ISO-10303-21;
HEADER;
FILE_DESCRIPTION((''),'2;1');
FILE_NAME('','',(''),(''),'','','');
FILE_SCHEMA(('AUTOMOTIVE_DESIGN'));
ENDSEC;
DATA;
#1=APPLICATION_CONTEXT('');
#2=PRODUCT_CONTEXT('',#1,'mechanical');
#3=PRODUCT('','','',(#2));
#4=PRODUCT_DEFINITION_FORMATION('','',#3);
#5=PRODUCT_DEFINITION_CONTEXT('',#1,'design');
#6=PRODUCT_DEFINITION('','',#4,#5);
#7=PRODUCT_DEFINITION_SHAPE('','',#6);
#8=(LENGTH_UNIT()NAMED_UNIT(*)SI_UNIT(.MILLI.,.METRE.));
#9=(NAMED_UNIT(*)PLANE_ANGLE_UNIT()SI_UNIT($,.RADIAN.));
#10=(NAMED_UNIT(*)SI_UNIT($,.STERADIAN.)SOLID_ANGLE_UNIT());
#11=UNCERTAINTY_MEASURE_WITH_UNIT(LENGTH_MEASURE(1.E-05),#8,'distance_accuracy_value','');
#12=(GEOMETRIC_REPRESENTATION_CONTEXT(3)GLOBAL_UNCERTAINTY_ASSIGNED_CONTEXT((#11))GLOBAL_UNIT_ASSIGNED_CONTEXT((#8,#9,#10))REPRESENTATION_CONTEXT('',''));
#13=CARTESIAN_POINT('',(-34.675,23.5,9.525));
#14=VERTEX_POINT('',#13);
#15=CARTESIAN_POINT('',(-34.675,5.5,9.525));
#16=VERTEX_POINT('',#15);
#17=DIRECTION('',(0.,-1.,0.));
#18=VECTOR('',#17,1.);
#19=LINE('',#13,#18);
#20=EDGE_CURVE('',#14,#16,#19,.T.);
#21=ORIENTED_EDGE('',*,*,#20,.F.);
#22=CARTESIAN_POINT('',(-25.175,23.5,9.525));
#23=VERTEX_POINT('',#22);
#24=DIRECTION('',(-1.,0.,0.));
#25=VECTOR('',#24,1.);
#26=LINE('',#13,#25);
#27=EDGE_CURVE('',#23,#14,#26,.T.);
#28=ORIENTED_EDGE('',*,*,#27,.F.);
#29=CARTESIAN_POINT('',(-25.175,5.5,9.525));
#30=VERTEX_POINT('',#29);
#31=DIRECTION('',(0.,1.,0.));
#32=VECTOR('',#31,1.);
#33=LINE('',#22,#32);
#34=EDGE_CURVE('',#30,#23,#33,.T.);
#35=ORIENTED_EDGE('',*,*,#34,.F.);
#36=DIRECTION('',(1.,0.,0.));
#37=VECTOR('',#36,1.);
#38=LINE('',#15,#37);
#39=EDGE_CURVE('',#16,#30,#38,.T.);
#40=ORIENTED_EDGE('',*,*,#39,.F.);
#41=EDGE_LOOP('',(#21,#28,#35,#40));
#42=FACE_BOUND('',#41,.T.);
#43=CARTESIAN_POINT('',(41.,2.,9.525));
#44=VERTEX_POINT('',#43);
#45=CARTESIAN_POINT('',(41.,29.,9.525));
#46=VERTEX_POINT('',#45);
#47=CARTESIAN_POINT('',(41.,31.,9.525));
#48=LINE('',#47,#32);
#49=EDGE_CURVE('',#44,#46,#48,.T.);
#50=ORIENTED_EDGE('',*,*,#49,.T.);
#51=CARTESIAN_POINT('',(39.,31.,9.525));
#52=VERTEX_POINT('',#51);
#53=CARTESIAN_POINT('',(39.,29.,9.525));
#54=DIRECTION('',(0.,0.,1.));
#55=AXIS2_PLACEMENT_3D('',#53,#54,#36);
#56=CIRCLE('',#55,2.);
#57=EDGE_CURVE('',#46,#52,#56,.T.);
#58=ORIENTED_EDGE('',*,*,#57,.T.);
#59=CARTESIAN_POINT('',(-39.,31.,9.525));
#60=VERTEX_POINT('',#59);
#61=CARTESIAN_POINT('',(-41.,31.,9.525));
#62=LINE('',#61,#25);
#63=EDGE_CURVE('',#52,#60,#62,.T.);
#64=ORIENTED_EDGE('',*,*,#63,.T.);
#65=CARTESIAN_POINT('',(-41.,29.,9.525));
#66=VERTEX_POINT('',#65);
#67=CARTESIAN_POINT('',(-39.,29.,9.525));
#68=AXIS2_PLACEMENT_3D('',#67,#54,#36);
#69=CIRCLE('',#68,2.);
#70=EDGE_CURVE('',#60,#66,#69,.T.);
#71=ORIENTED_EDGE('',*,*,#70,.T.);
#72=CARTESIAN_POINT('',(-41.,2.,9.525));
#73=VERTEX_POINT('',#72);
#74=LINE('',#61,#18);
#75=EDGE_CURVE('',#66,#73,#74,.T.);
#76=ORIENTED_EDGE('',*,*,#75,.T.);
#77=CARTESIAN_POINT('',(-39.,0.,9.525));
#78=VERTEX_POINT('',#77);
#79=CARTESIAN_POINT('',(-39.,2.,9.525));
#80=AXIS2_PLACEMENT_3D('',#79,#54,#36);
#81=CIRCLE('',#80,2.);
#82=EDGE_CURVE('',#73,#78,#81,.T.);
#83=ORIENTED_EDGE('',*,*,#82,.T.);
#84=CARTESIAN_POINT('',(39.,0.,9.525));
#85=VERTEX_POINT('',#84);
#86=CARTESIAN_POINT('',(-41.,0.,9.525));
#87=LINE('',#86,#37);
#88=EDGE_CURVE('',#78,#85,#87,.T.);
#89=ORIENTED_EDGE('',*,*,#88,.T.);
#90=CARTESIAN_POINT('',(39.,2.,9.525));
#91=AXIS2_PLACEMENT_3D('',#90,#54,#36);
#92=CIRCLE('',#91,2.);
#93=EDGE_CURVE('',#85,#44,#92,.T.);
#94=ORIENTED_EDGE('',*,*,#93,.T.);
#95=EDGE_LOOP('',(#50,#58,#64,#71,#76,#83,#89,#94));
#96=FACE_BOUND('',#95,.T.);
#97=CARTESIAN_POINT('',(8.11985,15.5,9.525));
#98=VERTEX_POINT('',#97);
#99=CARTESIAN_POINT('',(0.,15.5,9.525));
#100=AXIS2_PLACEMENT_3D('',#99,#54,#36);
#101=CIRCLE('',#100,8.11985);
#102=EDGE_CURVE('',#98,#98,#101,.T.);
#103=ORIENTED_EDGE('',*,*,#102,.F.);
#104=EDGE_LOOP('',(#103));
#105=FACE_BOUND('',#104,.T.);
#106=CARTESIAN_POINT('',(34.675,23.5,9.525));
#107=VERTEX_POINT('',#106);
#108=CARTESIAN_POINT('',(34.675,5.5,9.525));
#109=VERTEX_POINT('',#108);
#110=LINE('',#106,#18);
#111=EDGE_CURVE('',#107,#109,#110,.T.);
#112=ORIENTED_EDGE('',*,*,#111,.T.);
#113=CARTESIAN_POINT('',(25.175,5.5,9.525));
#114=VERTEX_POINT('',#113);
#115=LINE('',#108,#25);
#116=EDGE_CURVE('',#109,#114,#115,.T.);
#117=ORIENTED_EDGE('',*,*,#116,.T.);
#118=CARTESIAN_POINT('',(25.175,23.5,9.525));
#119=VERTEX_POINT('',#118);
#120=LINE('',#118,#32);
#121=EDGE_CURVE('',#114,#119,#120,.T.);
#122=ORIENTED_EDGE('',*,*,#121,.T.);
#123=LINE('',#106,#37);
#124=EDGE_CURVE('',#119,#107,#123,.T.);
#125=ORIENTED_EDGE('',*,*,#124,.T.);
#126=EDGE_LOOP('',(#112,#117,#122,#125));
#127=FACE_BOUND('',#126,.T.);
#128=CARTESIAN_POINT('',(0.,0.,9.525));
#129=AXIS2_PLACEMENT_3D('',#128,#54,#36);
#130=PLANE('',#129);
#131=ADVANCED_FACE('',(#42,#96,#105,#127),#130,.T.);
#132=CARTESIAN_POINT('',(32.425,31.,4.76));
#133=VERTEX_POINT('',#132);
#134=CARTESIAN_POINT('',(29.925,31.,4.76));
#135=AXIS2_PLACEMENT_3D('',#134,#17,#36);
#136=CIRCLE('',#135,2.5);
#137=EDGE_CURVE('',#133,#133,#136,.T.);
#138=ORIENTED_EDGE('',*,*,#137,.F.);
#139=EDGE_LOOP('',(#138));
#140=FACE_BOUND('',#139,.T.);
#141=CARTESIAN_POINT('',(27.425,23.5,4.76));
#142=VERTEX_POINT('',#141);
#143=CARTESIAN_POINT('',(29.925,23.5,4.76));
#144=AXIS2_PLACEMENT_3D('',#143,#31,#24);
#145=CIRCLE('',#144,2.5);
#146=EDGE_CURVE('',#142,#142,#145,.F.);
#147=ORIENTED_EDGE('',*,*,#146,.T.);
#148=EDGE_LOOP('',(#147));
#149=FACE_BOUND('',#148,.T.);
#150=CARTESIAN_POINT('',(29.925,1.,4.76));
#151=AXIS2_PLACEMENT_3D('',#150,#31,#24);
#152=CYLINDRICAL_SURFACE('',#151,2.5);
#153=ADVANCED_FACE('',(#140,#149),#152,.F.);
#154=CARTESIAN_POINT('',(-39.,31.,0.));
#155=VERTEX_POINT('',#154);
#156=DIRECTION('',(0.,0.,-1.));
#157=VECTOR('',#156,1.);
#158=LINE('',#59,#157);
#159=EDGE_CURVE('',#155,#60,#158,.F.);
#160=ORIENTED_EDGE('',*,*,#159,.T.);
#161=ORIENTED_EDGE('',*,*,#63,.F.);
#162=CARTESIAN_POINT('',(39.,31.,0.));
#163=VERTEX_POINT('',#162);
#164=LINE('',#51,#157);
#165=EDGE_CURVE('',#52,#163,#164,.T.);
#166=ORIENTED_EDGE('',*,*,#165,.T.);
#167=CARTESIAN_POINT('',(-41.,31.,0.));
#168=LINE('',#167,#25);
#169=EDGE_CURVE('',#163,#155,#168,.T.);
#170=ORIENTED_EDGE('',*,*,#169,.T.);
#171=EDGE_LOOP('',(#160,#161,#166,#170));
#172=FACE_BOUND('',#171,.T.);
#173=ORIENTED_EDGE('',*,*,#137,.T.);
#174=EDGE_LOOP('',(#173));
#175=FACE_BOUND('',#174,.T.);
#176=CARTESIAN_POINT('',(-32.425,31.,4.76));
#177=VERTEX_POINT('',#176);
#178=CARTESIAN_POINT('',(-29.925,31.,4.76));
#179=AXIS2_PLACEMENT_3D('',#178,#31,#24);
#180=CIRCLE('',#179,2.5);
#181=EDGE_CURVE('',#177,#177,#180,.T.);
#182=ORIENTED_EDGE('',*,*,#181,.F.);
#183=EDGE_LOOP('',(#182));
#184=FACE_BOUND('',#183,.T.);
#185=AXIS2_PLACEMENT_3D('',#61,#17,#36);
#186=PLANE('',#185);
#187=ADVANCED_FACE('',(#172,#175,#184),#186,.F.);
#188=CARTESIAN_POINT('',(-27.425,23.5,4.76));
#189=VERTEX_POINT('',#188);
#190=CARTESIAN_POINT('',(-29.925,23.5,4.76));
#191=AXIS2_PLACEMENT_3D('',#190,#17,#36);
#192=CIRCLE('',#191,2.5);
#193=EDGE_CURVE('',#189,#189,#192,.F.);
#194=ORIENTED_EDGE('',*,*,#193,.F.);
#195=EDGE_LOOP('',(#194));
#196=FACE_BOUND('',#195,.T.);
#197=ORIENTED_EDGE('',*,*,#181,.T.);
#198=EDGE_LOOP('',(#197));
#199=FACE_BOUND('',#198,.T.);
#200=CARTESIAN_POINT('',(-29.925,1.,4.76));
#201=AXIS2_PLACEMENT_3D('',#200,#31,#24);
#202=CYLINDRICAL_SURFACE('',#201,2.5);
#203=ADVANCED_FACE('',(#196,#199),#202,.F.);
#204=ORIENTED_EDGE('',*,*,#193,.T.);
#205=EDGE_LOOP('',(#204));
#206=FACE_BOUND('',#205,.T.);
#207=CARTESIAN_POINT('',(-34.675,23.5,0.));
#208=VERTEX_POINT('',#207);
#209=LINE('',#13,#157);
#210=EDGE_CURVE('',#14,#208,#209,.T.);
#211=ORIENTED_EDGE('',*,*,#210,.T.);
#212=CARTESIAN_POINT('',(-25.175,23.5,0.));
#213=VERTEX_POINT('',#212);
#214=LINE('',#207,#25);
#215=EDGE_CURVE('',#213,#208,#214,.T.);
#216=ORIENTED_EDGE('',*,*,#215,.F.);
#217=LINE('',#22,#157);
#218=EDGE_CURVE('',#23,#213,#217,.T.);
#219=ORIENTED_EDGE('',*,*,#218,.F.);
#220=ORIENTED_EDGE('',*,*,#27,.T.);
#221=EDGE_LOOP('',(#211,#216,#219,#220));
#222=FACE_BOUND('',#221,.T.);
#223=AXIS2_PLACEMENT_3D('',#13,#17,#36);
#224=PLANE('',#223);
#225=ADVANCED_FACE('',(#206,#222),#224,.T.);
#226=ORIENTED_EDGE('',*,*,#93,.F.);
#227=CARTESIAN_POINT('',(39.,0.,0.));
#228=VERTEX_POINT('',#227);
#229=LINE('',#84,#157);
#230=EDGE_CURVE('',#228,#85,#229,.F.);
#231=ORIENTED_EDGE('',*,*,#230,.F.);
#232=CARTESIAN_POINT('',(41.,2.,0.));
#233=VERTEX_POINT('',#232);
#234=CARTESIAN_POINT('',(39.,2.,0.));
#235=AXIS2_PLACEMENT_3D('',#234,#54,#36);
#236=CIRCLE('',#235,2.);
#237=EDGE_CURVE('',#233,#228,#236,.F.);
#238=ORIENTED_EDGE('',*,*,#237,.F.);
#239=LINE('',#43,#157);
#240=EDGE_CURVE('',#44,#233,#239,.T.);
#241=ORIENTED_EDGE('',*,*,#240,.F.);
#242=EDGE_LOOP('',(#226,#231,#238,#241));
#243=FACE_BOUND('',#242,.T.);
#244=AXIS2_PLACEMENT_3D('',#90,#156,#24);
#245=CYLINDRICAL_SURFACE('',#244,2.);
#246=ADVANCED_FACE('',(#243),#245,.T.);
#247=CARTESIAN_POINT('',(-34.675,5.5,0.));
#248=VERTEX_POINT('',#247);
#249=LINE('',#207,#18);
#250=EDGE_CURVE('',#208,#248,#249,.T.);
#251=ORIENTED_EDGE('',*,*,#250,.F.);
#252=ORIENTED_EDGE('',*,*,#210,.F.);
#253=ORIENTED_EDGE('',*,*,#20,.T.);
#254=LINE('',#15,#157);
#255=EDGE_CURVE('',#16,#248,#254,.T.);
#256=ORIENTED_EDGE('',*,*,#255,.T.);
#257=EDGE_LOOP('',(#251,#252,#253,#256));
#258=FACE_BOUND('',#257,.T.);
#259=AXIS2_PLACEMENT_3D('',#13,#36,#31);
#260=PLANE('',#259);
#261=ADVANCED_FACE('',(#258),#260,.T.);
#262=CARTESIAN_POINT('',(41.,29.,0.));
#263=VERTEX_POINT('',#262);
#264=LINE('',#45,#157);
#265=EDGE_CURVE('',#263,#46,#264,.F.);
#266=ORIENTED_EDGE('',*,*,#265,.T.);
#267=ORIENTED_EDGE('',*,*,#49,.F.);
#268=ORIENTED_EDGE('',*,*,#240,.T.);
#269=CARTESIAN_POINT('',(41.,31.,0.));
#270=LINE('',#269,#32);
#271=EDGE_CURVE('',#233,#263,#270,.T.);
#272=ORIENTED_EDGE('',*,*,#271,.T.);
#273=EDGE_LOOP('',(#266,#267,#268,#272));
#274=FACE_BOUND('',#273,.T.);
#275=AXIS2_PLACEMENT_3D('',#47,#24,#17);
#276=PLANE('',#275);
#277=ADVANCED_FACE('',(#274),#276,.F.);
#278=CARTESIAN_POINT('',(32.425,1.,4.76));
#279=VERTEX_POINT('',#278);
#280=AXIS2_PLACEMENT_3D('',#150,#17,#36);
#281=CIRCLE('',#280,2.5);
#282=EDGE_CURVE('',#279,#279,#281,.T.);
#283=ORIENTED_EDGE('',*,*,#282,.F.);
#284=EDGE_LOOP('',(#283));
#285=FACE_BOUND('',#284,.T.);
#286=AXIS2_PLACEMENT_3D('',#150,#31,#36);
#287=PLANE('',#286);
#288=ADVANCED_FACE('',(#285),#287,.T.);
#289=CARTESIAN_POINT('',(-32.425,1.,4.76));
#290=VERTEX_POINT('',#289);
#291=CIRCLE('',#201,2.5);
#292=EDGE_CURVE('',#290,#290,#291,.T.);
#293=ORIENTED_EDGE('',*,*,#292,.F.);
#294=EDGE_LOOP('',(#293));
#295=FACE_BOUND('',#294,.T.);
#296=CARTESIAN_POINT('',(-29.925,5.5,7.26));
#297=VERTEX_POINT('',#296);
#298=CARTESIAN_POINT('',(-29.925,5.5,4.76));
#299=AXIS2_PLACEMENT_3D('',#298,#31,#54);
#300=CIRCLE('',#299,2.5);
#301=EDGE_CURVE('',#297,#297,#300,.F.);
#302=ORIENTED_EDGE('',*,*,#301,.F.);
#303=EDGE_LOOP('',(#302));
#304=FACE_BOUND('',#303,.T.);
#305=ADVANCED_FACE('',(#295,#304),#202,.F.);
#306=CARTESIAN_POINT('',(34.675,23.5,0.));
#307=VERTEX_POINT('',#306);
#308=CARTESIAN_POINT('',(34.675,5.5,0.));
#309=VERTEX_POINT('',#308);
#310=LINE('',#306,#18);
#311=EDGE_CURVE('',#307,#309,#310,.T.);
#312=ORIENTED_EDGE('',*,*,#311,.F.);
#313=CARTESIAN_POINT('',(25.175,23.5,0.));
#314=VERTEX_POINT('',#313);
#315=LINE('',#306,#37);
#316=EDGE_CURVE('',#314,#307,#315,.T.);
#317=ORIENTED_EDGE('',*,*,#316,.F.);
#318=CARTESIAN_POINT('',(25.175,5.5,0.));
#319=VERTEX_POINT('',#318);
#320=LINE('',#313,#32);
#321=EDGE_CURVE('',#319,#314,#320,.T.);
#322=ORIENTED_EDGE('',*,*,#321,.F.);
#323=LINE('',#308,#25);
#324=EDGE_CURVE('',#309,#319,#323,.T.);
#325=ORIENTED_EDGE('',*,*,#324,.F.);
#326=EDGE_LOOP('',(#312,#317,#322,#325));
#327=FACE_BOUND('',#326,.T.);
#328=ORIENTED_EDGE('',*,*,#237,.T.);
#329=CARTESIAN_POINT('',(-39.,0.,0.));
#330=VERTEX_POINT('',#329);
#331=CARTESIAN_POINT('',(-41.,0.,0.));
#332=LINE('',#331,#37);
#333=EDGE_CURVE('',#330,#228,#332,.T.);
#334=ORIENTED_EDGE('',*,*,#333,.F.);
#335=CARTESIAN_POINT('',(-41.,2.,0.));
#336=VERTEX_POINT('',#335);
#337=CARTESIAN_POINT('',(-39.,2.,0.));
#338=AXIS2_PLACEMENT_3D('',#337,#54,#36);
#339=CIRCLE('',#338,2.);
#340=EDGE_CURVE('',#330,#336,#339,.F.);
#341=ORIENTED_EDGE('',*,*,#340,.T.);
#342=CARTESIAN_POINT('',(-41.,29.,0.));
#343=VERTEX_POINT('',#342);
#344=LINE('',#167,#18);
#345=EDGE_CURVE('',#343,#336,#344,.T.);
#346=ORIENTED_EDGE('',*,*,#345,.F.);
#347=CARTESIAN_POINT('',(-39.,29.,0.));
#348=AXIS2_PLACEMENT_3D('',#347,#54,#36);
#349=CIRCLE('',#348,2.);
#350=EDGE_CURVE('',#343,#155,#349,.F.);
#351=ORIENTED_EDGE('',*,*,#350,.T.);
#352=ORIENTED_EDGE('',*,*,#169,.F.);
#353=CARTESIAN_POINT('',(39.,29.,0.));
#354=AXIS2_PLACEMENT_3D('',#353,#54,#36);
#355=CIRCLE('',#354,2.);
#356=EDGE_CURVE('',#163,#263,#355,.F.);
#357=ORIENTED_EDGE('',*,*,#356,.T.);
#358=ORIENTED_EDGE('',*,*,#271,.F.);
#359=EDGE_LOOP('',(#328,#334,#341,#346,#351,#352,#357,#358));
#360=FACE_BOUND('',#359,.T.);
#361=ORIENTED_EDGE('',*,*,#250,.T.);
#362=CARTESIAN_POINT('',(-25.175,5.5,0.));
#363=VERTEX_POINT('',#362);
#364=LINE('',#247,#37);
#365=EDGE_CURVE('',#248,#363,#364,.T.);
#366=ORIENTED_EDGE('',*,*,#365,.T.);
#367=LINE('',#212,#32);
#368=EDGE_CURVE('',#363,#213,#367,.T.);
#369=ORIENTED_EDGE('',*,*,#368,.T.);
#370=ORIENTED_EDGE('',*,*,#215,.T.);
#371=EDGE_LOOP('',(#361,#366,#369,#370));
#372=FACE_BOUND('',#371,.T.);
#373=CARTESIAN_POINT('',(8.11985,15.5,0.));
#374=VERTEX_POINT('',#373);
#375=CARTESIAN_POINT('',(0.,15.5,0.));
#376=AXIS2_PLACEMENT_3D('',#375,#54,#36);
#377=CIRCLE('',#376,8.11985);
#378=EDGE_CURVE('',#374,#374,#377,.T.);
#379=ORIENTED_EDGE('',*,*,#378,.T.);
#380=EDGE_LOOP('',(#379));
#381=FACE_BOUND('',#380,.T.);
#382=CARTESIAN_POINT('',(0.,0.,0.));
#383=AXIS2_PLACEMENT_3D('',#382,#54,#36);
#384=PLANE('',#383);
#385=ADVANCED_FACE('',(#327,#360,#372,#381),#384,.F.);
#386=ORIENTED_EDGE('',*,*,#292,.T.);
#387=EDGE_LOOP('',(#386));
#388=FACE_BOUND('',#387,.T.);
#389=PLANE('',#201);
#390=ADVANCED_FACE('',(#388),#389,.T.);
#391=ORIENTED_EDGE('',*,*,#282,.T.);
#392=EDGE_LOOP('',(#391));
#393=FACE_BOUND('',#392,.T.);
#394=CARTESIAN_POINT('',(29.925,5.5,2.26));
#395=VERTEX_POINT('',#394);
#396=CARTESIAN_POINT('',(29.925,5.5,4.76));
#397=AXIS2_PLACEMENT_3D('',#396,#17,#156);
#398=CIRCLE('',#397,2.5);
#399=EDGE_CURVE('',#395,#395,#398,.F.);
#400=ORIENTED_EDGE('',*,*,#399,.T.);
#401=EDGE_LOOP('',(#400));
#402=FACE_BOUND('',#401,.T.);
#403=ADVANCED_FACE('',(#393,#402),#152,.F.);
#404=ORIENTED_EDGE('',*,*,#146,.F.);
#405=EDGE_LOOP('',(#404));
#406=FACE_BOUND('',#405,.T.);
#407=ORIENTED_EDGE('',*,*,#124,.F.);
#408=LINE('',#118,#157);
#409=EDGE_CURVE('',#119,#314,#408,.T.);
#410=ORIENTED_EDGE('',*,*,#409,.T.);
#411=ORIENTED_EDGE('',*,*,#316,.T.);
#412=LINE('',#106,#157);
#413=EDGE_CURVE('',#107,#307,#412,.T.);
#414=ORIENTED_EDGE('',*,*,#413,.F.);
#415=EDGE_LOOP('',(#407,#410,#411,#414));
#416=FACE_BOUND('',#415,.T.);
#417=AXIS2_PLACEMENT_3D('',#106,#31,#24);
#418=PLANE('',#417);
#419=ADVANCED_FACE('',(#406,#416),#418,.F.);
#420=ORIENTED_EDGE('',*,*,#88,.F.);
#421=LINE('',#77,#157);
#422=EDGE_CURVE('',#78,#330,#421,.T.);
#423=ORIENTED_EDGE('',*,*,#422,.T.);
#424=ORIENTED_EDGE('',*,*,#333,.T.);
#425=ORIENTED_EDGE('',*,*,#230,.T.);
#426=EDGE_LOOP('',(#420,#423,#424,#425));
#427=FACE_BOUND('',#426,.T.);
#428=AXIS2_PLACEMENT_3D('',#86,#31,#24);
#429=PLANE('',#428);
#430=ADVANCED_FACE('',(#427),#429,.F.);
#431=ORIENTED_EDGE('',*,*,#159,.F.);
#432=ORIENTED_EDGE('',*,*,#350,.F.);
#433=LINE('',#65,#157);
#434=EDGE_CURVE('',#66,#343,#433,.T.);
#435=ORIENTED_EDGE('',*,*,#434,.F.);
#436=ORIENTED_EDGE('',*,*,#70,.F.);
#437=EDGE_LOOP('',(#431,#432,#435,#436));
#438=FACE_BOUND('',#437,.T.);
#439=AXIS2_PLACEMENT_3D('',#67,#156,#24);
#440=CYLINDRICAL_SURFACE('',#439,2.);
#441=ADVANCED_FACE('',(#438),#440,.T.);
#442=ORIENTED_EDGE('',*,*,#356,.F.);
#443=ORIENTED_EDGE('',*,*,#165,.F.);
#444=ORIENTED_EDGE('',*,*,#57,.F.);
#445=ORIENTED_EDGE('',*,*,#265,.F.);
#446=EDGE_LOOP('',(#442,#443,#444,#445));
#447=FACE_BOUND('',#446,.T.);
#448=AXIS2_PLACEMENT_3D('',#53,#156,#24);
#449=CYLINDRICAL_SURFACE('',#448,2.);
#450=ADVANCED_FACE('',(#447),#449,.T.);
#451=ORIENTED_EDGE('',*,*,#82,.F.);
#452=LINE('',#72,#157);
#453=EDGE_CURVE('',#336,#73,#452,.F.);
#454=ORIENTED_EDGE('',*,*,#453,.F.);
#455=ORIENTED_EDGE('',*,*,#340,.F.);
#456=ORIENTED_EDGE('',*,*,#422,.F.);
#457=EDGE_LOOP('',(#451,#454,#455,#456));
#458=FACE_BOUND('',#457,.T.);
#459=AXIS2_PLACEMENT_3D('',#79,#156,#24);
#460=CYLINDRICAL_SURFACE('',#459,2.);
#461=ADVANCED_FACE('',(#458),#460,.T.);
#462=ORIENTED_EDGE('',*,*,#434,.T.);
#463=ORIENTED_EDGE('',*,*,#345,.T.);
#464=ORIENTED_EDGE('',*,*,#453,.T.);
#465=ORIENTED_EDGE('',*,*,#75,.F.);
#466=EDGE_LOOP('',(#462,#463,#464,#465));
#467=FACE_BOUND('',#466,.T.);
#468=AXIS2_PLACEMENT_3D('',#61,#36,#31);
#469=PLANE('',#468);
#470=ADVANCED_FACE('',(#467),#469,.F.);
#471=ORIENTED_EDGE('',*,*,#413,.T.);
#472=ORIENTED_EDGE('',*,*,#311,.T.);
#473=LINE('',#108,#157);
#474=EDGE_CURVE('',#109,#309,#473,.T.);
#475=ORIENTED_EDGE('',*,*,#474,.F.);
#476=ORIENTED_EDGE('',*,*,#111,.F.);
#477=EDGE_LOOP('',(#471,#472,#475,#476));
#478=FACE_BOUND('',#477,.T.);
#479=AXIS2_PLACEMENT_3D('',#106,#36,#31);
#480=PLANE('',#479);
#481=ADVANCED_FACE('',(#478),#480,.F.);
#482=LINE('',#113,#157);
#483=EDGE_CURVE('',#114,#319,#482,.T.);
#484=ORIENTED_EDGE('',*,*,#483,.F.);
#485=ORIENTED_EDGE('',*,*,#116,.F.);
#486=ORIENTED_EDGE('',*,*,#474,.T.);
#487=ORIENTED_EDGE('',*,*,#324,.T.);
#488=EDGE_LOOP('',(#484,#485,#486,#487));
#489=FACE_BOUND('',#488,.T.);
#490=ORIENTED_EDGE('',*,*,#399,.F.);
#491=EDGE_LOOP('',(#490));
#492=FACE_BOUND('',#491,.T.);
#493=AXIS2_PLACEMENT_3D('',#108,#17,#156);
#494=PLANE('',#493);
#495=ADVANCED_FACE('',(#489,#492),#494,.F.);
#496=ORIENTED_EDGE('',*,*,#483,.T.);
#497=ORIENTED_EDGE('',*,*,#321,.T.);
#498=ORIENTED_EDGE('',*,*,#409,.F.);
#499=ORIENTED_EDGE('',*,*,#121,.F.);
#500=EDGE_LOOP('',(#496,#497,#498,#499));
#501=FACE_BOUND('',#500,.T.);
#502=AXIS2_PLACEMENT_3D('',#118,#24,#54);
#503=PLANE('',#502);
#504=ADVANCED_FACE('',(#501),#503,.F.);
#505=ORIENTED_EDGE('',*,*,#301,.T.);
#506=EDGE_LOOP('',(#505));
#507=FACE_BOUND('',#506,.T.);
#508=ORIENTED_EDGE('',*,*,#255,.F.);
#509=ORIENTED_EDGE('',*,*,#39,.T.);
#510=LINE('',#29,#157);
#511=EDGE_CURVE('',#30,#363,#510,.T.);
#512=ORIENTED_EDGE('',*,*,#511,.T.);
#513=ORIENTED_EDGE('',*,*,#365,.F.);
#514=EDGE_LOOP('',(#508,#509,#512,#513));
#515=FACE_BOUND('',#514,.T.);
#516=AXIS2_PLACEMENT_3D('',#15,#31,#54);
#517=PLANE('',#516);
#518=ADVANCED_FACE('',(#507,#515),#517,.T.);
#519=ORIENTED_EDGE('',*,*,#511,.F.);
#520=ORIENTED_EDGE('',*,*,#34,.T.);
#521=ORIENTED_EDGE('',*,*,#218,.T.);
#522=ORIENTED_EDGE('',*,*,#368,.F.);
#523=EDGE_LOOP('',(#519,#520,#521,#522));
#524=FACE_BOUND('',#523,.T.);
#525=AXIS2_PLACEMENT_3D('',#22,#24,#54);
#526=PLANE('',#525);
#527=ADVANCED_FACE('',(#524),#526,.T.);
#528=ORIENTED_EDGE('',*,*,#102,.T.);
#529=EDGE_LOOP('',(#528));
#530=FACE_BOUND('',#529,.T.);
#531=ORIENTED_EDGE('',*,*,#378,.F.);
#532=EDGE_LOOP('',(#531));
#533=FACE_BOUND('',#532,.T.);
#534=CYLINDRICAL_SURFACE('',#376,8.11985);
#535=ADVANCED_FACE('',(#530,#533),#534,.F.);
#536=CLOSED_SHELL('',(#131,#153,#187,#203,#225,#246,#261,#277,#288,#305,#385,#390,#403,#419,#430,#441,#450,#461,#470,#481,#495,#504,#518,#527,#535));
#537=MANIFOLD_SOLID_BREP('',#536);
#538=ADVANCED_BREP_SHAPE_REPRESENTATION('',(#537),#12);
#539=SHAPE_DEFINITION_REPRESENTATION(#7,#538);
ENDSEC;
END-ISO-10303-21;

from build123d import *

# Parameters (mm, degrees)
SKETCH1_W           = 82
SKETCH1_H           = 31
BOSS_EXTRUDE2_DEPTH = 9.525
FILLET2_R           = 2
SKETCH2_R           = 8.119849814
CUT_EXTRUDE1_DEPTH  = 10.525
SKETCH3_W           = 9.5
SKETCH3_H           = 18
CUT_EXTRUDE2_DEPTH  = 10.525
SKETCH5_R           = 2.5
CUT_EXTRUDE4_DEPTH  = 30


with BuildPart() as part:
    # Sketch1 → Boss-Extrude2 (new body)
    with BuildSketch(Plane.XY):
        with Locations((0, 15.5)):
            Rectangle(SKETCH1_W, SKETCH1_H)
    extrude(amount=BOSS_EXTRUDE2_DEPTH)

    # Fillet2
    fillet2_edges = [part.edges().sort_by_distance(p)[0] for p in [
        (-41, 31, 4.7625),
        (41, 31, 4.7625),
        (41, 0, 4.7625),
        (-41, 0, 4.7625),
    ]]
    fillet(fillet2_edges, radius=FILLET2_R)

    # Sketch2 → Cut-Extrude1 (cut, through all)
    with BuildSketch(Plane.XY.offset(9.525)):
        with Locations((0, 15.5)):
            Circle(SKETCH2_R)
    extrude(amount=-CUT_EXTRUDE1_DEPTH, mode=Mode.SUBTRACT)

    # Sketch3 → Cut-Extrude2 (cut, through all)
    with BuildSketch(Plane(origin=(0, 0, 0), x_dir=(-1, 0, 0), z_dir=(0, 0, -1))):
        with Locations((-29.925, 14.5)):
            Rectangle(SKETCH3_W, SKETCH3_H)
    cut_extrude2 = extrude(amount=-CUT_EXTRUDE2_DEPTH, mode=Mode.SUBTRACT)

    # Sketch5 → Cut-Extrude4 (cut)
    with BuildSketch(Plane(origin=(0, 31, 0), x_dir=(1, 0, 0), z_dir=(0, 1, 0))):
        with Locations((-29.925, -4.76)):
            Circle(SKETCH5_R)
    cut_extrude4 = extrude(amount=-CUT_EXTRUDE4_DEPTH, mode=Mode.SUBTRACT)

    # Mirror1: Cut-Extrude2, Cut-Extrude4 across plane
    add(cut_extrude2.mirror(Plane(origin=(0, 0, 0), x_dir=(0, 0, 1), z_dir=(1, 0, 0))), mode=Mode.SUBTRACT)
    add(cut_extrude4.mirror(Plane(origin=(0, 0, 0), x_dir=(0, 0, 1), z_dir=(1, 0, 0))), mode=Mode.SUBTRACT)


solid = part.part
